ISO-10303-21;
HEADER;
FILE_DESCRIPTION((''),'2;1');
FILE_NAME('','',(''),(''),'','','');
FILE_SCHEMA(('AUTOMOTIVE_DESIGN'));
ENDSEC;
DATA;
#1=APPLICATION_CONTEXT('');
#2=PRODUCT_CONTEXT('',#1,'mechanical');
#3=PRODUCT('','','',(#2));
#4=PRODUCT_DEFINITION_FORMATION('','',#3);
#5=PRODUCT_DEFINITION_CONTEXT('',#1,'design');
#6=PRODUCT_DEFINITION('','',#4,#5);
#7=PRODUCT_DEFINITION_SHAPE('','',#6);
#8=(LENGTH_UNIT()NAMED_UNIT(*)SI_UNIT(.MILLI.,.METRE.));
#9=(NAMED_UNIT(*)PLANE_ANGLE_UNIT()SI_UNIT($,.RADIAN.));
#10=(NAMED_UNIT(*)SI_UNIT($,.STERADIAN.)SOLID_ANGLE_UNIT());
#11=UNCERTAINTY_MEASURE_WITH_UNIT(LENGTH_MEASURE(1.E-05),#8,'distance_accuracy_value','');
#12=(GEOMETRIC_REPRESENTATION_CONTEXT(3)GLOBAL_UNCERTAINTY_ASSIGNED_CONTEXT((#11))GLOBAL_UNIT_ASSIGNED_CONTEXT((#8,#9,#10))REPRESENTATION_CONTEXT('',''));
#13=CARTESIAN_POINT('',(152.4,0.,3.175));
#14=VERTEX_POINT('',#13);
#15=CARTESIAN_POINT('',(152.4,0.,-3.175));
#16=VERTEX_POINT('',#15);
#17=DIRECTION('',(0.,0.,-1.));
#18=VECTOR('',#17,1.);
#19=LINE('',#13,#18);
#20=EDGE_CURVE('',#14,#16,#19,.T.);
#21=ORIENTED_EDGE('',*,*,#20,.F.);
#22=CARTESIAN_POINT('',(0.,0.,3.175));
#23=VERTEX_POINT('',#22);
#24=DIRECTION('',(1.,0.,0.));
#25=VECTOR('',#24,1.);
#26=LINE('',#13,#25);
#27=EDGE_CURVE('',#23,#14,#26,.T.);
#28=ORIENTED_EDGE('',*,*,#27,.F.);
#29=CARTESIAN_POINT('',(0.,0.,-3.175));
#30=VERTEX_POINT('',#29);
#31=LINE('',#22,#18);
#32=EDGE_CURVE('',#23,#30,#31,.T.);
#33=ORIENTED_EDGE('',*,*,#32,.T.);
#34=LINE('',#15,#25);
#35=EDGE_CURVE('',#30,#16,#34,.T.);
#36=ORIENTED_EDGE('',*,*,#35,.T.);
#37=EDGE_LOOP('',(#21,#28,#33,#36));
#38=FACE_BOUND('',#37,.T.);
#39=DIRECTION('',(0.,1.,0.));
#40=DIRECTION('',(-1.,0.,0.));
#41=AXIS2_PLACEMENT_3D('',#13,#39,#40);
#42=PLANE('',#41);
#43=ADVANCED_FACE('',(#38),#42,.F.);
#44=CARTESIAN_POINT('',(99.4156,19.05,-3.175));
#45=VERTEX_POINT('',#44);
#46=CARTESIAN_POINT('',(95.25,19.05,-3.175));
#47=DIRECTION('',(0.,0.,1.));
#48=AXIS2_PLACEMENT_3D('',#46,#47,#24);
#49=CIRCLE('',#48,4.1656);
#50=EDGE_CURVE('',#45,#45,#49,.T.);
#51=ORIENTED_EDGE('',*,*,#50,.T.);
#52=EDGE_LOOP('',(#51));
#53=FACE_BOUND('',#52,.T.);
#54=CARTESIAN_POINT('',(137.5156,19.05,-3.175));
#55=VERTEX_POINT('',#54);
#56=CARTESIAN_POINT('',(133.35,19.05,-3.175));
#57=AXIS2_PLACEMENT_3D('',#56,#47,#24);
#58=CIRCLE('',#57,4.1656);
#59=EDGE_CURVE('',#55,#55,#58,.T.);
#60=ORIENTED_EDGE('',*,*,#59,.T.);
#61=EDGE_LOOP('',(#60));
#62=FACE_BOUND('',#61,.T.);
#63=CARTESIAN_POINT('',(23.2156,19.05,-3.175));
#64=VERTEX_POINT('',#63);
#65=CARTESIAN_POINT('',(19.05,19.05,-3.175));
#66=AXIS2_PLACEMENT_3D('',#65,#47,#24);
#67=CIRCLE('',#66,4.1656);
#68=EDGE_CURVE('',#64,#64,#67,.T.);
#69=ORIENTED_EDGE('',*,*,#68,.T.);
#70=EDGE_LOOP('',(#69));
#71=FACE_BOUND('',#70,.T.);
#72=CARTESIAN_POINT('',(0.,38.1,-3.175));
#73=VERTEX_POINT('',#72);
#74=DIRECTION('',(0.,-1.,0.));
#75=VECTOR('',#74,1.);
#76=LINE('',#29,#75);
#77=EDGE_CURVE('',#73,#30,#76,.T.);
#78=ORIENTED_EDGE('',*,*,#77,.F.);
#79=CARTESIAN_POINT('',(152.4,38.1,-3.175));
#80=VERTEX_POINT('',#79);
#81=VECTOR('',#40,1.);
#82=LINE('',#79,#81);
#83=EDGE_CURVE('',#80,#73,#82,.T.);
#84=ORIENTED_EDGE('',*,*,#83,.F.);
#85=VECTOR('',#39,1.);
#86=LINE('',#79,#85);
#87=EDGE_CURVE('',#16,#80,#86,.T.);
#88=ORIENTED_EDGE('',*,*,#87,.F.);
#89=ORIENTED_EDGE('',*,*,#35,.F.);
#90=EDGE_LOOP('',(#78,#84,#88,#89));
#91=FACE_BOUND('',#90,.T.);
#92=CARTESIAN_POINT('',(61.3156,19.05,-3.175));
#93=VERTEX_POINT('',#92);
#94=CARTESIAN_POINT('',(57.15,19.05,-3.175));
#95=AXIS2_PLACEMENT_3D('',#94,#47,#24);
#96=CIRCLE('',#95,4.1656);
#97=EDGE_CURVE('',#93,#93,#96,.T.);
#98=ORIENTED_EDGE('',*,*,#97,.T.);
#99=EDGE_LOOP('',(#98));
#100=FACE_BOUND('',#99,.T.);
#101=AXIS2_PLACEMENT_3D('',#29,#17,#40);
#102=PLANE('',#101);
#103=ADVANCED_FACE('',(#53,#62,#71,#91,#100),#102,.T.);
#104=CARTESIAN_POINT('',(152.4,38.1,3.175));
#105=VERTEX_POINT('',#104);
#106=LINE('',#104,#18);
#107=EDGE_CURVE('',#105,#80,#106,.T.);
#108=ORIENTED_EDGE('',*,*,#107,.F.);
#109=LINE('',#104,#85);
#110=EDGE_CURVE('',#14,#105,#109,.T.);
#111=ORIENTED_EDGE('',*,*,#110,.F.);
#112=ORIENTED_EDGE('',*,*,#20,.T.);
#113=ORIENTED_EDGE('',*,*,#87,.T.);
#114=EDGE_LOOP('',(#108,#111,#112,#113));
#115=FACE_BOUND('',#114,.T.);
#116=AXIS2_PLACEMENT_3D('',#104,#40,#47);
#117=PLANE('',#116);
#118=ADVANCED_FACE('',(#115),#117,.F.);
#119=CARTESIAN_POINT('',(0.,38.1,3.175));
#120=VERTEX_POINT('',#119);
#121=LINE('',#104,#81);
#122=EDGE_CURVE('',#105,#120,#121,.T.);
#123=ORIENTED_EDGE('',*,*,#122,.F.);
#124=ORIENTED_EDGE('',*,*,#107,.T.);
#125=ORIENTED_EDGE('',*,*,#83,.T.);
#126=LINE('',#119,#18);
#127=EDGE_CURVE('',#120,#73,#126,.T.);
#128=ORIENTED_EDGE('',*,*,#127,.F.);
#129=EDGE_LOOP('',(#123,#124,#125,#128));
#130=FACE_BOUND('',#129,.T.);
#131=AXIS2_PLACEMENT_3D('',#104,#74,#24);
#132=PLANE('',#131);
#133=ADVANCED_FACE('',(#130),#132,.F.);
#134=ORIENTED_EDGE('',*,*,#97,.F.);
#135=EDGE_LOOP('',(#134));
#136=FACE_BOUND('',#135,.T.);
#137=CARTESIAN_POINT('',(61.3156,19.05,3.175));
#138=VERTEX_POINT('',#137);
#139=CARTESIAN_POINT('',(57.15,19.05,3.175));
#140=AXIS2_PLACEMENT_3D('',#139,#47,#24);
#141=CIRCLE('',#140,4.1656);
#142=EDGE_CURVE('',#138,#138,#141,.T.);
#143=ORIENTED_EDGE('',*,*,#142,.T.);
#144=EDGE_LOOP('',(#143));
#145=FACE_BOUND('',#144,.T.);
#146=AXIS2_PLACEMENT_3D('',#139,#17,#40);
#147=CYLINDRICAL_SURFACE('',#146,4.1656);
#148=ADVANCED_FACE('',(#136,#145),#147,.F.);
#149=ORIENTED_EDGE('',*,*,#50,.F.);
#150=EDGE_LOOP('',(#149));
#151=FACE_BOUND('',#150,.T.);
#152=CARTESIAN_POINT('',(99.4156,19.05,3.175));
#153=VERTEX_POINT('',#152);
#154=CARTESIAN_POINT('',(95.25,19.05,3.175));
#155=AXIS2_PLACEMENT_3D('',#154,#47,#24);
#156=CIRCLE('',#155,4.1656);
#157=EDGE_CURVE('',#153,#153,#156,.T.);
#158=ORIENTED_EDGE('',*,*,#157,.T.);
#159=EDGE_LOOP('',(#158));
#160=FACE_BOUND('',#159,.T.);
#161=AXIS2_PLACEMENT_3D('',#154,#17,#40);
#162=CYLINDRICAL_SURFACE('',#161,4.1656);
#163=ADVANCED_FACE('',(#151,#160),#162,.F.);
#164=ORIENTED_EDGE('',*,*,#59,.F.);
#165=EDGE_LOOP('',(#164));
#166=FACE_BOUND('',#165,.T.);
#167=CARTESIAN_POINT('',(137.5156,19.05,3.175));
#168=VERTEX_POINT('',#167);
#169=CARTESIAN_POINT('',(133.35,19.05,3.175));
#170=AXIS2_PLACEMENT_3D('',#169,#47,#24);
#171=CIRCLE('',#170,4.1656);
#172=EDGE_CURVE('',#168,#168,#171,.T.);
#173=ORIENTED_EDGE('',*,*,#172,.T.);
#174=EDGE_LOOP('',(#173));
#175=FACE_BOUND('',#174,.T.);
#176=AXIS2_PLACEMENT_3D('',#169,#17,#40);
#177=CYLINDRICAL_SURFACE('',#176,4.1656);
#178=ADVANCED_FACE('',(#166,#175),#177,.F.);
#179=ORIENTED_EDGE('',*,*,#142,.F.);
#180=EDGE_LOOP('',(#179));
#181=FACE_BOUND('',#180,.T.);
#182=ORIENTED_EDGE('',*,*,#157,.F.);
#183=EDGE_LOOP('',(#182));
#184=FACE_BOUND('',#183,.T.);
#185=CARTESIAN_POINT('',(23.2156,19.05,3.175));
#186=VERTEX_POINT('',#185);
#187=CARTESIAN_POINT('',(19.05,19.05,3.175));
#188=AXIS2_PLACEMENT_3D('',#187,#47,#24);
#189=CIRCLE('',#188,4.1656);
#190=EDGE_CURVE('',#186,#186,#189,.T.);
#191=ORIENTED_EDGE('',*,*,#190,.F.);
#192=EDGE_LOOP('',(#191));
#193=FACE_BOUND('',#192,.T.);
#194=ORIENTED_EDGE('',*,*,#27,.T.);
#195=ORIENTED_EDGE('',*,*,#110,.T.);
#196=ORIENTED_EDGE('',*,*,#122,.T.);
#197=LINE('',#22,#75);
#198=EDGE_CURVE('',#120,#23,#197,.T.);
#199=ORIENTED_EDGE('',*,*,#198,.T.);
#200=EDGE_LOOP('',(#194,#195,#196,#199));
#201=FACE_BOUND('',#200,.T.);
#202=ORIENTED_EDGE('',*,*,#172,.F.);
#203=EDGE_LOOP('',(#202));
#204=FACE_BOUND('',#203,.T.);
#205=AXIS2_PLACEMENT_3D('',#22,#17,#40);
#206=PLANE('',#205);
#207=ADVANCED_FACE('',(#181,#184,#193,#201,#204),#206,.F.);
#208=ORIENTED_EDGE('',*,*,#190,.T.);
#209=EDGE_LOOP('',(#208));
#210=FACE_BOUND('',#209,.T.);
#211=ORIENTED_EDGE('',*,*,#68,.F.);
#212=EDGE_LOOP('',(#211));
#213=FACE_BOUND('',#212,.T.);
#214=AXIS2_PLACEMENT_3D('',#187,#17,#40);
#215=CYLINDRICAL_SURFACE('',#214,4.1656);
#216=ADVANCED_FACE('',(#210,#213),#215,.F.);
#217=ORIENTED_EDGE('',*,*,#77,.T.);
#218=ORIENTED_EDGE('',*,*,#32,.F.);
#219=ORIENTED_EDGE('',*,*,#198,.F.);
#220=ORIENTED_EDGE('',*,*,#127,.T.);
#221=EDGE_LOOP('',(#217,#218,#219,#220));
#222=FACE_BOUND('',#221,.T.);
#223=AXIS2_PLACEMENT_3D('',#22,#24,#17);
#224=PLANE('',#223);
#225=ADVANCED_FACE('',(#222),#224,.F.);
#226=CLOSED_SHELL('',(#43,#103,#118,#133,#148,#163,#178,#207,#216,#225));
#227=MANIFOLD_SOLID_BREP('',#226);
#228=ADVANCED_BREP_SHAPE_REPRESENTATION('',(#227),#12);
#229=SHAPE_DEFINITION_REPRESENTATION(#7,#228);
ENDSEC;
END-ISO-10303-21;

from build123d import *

# Parameters (mm, degrees)
SKETCH1_W           = 152.4
SKETCH1_H           = 38.1
SKETCH1_R           = 4.1656
BOSS_EXTRUDE1_DEPTH = 3.175


with BuildPart() as part:
    # Sketch1 → Boss-Extrude1 (new, symmetric)
    with BuildSketch(Plane.XY):
        with Locations((76.2, 19.05)):
            Rectangle(SKETCH1_W, SKETCH1_H)
        with Locations((19.05, 19.05)):
            Circle(SKETCH1_R, mode=Mode.SUBTRACT)
        with Locations((57.15, 19.05)):
            Circle(SKETCH1_R, mode=Mode.SUBTRACT)
        with Locations((95.25, 19.05)):
            Circle(SKETCH1_R, mode=Mode.SUBTRACT)
        with Locations((133.35, 19.05)):
            Circle(SKETCH1_R, mode=Mode.SUBTRACT)
    extrude(amount=BOSS_EXTRUDE1_DEPTH, both=True)


solid = part.part
